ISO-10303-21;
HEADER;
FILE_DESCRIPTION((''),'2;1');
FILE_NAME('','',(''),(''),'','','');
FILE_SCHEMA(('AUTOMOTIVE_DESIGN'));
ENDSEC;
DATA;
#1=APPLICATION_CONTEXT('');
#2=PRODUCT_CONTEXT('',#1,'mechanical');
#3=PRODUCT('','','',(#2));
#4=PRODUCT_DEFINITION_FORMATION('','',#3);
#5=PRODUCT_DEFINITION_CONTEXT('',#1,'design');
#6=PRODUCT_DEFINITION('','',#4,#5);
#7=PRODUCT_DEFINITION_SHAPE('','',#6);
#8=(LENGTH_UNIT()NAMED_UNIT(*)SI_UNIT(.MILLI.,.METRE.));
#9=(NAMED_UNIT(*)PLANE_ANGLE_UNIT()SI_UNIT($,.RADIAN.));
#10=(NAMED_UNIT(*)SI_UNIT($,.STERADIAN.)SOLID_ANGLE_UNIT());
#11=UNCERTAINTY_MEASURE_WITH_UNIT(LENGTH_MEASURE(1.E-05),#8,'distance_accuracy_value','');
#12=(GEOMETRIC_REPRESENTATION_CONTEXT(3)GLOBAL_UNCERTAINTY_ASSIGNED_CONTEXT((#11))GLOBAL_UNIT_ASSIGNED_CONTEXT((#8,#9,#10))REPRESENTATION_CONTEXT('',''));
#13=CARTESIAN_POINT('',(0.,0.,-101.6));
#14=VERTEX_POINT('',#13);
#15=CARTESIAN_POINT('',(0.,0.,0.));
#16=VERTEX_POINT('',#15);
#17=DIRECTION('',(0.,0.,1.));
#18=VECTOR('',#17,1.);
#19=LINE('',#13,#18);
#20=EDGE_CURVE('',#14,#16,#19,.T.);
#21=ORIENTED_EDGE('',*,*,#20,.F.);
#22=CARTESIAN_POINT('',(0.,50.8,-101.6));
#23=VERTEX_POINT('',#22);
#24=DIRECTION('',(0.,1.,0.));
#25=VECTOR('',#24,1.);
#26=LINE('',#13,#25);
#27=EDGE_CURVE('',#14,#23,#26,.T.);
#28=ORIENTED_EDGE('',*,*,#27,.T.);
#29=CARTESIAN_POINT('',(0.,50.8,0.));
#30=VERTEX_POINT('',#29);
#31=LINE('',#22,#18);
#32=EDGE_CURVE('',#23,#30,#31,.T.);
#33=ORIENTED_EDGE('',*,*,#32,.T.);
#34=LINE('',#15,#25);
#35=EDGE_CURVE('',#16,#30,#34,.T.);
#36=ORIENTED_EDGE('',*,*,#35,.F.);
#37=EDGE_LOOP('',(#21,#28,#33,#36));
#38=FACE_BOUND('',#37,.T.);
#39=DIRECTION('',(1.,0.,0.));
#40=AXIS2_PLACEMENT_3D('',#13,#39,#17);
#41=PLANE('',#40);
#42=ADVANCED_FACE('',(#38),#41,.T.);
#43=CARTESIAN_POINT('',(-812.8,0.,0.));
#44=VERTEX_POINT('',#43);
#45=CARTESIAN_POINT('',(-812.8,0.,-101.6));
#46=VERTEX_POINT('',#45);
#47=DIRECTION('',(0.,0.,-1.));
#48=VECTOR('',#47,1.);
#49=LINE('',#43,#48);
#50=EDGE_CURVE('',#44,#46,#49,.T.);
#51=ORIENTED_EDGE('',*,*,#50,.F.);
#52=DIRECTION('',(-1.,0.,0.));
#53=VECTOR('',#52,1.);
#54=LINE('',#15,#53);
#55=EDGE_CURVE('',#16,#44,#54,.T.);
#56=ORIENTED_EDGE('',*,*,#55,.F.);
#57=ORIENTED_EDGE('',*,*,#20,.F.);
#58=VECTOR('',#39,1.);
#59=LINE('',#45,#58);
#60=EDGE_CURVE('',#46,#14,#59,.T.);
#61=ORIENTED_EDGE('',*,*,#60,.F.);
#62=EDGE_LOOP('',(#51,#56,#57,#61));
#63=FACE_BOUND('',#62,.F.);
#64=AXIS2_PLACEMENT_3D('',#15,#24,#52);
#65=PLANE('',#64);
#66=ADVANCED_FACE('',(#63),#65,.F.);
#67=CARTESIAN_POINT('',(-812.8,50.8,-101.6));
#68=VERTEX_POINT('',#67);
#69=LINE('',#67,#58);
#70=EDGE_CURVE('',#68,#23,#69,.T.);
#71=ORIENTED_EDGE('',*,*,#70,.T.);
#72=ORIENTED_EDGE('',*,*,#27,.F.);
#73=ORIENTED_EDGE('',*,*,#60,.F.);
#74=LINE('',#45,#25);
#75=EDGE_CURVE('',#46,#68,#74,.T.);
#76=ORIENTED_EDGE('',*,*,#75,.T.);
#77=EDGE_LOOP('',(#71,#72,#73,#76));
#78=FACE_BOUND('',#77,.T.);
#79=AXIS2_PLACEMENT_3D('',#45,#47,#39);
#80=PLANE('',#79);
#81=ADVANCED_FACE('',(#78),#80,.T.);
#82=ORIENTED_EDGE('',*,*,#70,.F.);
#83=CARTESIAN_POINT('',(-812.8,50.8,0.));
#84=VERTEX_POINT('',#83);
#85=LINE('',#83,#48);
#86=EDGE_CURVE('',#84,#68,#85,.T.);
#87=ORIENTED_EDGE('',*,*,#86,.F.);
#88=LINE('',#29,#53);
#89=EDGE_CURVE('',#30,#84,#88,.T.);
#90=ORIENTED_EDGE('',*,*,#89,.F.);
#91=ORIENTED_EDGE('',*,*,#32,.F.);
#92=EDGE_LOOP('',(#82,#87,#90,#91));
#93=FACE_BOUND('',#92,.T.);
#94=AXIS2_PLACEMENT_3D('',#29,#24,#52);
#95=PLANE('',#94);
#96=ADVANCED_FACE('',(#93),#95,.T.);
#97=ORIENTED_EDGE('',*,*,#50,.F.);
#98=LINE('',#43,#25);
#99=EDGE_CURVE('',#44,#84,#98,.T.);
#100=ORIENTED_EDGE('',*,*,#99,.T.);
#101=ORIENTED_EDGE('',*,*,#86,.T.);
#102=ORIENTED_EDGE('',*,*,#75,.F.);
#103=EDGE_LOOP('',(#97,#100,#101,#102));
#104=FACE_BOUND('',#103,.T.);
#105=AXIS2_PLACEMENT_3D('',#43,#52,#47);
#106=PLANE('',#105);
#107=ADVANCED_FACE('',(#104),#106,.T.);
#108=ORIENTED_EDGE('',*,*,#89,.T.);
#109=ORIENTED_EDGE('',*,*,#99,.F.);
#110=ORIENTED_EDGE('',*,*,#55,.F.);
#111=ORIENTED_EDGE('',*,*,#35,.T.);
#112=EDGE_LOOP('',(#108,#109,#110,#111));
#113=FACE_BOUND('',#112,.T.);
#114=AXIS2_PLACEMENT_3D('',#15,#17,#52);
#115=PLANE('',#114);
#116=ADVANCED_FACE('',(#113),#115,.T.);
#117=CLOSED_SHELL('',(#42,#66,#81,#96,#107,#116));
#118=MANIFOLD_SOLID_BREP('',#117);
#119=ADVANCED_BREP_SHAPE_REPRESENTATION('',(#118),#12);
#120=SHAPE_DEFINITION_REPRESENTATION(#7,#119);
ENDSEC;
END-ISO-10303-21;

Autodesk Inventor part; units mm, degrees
ref_plane "YZ Plane" through (0, 0, 0) normal (1, 0, 0) x (0, 1, 0)
ref_plane "XZ Plane" through (0, 0, 0) normal (0, 1, 0) x (-1, 0, 0)
ref_plane "XY Plane" through (0, 0, 0) normal (0, 0, 1) x (1, 0, 0)
sketch "Sketch1" plane through (0, 0, 0) normal (0, 1, 0) x (-1, 0, 0)
  line L0 (0, 0) -> (812.8, 0)
  line L1 (812.8, 0) -> (812.8, -101.6)
  line L2 (812.8, -101.6) -> (0, -101.6)
  line L3 (0, -101.6) -> (0, 0)
  dimension "d0" = 812.8
  dimension "d1" = 101.6
extrude "Extrusion1" add sketch "Sketch1" along normal blind 50.8
properties part number "2x4x32"
